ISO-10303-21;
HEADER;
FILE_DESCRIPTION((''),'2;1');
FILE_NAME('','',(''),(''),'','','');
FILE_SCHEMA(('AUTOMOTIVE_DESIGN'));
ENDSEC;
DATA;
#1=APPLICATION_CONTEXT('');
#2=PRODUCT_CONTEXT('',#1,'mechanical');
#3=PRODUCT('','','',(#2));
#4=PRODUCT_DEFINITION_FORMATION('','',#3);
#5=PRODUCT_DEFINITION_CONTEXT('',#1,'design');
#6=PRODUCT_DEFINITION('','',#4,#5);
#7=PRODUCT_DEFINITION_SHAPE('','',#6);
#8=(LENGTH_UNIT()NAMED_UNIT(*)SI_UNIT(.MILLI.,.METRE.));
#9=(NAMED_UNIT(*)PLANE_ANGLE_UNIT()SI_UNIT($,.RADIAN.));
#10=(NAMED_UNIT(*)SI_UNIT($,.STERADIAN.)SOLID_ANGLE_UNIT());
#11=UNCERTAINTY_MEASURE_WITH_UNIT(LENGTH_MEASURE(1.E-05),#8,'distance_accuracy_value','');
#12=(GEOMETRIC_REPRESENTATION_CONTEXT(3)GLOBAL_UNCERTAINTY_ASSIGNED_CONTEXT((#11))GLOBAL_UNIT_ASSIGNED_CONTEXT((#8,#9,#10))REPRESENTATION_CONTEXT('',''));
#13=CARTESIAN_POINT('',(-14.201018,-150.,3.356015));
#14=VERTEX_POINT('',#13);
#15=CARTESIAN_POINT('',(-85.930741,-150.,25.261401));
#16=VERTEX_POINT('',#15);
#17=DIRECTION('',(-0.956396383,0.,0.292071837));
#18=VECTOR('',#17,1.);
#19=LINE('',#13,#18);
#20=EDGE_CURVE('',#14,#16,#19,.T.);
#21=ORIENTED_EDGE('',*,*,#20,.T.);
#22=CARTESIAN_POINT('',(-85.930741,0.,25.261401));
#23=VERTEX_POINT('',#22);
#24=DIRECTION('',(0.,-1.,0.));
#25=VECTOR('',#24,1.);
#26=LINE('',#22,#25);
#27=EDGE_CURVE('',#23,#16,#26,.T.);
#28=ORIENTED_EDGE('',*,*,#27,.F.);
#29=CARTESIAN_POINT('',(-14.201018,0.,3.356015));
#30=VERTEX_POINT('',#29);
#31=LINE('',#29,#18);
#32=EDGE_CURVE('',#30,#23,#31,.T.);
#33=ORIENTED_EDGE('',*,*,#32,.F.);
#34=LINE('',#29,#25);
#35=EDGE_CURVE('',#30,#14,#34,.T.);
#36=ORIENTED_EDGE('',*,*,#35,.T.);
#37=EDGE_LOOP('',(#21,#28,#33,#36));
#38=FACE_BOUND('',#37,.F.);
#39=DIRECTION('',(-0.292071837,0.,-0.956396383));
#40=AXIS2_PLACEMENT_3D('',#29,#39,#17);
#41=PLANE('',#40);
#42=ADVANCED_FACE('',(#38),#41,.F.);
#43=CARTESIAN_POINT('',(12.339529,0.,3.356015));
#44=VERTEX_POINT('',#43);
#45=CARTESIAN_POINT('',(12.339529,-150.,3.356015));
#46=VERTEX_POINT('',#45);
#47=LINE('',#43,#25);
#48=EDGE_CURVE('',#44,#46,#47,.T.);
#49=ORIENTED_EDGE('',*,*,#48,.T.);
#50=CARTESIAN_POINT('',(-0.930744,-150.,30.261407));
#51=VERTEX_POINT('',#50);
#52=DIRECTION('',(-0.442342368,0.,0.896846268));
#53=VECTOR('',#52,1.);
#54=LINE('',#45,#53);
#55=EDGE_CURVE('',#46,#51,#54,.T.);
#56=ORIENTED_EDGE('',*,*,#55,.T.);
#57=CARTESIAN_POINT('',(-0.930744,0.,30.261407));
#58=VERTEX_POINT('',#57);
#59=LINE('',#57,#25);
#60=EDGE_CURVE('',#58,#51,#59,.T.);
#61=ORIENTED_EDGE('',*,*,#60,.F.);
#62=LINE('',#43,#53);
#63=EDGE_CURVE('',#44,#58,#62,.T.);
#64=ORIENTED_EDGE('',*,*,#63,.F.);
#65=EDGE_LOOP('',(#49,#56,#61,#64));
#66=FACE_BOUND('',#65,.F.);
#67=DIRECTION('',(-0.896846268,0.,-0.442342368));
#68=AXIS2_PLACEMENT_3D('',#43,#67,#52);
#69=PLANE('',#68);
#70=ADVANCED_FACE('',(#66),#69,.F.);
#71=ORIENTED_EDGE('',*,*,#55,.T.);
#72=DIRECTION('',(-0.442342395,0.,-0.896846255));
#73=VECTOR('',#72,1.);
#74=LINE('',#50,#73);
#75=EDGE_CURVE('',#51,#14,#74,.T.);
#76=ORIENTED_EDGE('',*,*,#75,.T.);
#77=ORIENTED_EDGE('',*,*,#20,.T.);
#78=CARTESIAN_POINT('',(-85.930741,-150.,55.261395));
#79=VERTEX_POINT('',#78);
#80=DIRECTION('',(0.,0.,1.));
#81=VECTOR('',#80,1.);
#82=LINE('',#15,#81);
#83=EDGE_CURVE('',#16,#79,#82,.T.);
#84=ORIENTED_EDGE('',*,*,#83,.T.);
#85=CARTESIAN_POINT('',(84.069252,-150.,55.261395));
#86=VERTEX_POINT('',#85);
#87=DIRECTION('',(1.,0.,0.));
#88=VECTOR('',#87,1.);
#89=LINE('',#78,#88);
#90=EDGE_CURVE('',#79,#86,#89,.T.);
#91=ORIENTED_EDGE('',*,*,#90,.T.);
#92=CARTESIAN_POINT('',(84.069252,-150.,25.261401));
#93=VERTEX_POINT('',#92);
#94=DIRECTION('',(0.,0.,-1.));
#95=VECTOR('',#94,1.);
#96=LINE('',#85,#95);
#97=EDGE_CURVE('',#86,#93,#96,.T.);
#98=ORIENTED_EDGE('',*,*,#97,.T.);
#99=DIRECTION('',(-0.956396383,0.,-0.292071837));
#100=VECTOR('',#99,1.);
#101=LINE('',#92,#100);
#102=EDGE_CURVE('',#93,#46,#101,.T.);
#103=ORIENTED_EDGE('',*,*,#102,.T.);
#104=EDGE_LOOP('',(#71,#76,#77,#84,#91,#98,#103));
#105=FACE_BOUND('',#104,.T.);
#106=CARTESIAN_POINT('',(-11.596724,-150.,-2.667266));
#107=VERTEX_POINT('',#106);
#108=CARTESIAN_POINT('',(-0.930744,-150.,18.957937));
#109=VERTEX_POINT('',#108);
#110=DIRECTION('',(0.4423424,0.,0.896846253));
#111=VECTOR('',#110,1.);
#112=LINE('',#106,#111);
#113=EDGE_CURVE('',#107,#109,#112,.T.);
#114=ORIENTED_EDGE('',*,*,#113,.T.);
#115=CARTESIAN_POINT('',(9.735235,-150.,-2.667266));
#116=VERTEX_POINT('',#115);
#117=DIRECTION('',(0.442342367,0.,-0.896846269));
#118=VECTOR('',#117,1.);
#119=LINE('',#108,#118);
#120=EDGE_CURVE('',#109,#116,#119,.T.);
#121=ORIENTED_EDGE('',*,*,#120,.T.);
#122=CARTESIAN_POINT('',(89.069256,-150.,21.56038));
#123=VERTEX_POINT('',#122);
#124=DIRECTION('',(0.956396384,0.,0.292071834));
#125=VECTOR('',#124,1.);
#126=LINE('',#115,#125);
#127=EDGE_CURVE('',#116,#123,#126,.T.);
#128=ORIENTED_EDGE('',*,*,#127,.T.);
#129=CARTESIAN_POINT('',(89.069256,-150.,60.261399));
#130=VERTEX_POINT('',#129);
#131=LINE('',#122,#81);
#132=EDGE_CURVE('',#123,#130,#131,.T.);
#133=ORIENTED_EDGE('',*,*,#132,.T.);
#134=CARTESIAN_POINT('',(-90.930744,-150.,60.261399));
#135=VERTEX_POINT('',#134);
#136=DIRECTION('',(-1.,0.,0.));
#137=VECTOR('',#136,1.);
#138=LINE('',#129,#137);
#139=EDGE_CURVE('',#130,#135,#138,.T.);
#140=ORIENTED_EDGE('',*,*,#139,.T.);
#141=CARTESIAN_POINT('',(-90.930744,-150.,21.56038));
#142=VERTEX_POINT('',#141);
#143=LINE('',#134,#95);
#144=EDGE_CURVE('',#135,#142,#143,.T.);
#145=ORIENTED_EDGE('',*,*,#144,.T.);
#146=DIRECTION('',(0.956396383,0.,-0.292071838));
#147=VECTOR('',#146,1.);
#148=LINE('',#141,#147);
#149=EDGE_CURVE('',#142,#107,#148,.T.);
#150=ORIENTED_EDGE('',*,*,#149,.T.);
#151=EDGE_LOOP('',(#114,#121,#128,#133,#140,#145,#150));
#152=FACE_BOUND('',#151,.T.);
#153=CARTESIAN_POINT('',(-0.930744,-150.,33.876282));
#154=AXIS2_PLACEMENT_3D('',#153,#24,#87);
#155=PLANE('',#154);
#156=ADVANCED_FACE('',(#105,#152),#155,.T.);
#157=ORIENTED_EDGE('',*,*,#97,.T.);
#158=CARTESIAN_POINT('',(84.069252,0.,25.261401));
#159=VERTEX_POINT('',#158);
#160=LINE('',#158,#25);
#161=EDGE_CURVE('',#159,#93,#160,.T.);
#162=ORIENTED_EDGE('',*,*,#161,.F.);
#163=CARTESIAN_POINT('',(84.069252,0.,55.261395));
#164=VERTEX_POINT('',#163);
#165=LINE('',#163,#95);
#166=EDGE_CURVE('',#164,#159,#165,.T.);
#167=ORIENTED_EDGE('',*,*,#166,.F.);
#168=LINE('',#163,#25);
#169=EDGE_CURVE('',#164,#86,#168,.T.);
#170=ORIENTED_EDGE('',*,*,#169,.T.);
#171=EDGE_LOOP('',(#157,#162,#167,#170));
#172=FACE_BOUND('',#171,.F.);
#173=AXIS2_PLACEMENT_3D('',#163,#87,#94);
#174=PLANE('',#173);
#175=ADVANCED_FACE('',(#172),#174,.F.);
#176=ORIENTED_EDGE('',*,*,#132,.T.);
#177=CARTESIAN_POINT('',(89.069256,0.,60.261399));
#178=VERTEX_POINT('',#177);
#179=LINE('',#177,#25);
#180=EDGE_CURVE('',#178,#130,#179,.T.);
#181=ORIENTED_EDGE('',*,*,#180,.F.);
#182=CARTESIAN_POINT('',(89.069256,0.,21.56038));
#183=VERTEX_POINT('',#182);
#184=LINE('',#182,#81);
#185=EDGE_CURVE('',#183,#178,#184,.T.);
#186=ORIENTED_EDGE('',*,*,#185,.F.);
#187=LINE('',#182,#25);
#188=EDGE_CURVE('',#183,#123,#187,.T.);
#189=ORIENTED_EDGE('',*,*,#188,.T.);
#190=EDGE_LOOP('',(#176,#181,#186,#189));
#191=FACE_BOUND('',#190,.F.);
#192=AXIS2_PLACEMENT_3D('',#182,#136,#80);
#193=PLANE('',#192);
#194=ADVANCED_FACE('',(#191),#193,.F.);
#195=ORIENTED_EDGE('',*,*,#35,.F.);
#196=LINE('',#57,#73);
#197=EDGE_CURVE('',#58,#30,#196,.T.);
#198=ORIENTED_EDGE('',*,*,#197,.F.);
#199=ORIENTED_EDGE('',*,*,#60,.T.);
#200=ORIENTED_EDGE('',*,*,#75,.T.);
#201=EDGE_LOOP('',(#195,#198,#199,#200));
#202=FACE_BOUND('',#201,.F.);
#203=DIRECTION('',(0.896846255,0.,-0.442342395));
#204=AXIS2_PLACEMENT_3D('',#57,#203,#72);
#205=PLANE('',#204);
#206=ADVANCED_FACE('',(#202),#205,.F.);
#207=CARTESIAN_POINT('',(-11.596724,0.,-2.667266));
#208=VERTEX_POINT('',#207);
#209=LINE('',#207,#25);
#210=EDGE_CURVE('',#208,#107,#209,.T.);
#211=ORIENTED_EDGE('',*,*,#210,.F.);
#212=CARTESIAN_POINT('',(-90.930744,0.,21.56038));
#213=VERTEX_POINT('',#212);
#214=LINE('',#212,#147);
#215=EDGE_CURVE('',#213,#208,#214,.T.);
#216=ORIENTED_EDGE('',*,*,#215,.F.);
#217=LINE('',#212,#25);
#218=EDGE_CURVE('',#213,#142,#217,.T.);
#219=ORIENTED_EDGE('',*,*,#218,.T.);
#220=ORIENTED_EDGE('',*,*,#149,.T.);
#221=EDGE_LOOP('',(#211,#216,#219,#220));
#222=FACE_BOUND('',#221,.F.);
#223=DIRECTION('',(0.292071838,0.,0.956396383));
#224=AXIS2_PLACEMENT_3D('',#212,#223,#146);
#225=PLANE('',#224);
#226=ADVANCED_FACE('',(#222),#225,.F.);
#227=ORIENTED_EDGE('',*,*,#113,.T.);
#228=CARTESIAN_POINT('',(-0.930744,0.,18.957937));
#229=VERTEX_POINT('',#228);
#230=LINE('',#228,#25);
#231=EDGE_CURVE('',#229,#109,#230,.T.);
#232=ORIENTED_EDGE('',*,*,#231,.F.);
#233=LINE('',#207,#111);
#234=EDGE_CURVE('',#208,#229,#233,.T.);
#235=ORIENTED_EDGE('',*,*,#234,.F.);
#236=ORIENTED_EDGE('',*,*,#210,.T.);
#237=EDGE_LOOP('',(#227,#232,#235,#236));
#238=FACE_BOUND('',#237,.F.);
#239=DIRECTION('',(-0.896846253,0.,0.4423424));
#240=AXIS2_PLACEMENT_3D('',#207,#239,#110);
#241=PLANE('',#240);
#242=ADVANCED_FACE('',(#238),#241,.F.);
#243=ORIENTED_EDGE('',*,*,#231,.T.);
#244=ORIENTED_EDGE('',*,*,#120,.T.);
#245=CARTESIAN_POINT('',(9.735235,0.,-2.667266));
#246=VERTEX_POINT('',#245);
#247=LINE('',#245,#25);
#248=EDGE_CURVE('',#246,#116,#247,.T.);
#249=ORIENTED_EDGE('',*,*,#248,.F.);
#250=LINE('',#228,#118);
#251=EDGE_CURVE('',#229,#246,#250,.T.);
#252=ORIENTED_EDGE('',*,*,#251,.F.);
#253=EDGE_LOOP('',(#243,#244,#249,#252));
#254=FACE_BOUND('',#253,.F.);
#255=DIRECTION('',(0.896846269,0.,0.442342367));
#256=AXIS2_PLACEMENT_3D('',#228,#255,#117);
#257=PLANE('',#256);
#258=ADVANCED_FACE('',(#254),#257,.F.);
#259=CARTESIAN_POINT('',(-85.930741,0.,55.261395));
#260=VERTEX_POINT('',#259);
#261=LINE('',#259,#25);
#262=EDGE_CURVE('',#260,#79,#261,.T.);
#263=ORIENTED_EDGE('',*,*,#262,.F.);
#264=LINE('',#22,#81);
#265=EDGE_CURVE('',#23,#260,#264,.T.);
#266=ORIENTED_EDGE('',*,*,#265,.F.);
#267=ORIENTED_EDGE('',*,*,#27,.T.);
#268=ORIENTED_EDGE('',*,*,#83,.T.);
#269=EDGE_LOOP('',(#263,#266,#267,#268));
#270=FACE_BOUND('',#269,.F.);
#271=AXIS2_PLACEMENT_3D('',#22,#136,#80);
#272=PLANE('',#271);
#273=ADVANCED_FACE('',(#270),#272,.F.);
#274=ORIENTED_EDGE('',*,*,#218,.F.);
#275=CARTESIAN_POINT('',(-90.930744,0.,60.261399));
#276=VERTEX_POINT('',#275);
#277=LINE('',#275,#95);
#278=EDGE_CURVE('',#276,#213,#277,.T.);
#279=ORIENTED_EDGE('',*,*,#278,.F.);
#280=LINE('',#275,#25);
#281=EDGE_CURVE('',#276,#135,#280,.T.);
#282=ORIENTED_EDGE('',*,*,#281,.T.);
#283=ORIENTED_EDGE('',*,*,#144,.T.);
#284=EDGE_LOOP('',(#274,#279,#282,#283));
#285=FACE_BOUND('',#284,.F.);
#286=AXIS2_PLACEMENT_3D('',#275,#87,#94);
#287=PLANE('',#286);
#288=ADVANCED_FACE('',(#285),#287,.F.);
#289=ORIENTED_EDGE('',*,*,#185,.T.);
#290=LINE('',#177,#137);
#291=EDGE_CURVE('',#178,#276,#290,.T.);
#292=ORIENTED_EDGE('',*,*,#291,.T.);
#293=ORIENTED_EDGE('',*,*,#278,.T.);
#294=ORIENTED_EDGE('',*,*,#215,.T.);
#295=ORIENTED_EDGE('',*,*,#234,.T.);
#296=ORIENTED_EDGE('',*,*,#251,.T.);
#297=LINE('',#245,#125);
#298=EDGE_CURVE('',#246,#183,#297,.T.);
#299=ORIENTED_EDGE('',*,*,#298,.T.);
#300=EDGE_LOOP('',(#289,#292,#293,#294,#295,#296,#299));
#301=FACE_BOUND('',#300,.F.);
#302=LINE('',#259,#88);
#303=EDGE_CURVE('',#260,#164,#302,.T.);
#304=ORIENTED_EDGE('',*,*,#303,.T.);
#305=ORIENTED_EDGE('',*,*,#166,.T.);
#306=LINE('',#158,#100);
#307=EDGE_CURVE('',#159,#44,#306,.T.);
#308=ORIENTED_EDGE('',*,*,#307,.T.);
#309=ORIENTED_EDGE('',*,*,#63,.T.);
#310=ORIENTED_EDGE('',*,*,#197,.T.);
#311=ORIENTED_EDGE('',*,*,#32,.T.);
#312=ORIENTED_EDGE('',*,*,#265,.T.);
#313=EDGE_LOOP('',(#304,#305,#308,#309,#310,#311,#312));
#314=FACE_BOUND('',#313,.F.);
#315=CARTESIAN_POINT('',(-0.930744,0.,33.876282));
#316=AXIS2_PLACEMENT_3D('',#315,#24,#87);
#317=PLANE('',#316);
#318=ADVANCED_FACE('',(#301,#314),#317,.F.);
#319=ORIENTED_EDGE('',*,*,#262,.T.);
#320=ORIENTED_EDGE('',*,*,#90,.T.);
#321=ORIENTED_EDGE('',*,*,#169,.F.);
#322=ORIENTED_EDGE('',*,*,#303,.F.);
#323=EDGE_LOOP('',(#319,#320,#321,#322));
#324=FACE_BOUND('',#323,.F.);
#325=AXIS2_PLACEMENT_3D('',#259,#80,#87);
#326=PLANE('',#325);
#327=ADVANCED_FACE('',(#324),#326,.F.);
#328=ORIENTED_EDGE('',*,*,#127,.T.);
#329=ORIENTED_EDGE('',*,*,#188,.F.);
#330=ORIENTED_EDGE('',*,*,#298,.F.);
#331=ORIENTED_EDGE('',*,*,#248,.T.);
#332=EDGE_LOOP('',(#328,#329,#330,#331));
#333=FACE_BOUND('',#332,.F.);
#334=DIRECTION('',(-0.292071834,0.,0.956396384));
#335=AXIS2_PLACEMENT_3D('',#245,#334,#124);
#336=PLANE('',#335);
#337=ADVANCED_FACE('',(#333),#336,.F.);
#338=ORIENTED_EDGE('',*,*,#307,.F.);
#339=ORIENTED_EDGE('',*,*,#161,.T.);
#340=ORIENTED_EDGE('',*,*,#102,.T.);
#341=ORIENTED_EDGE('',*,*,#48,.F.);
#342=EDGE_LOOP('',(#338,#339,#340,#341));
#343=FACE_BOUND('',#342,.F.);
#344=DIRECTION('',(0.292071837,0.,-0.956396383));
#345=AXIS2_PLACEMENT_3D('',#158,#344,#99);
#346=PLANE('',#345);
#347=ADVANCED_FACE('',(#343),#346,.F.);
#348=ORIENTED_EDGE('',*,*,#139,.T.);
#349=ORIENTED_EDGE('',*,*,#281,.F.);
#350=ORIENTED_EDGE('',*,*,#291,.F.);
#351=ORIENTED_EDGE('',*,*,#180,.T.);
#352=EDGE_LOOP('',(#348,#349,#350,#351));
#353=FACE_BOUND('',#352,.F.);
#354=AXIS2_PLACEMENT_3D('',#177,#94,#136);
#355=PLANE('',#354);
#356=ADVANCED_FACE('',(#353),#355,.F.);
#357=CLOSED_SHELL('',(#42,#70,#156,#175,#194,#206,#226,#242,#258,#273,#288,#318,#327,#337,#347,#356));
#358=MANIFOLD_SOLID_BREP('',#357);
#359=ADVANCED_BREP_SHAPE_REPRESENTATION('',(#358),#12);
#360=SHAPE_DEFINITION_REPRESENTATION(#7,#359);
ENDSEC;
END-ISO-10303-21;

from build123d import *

# Parameters (mm, degrees)
F1_DEPTH = 150


with BuildPart() as f1:
    # F0 (on Front) → F1 (new body)
    with BuildSketch(Plane.XZ):
        Polygon((-0.930744, 18.957937), (9.735235, -2.667266), (89.069256, 21.56038), (89.069256, 60.261399), (-0.930744, 60.261399), (-90.930744, 60.261399), (-90.930744, 21.56038), (-11.596724, -2.667266), align=None)
        Polygon((84.069252, 25.261401), (12.339529, 3.356015), (-0.930744, 30.261407), (-14.201018, 3.356015), (-85.930741, 25.261401), (-85.930741, 55.261395), (-0.930744, 55.261395), (84.069252, 55.261395), align=None, mode=Mode.SUBTRACT)
    extrude(amount=F1_DEPTH)


solid = f1.part
